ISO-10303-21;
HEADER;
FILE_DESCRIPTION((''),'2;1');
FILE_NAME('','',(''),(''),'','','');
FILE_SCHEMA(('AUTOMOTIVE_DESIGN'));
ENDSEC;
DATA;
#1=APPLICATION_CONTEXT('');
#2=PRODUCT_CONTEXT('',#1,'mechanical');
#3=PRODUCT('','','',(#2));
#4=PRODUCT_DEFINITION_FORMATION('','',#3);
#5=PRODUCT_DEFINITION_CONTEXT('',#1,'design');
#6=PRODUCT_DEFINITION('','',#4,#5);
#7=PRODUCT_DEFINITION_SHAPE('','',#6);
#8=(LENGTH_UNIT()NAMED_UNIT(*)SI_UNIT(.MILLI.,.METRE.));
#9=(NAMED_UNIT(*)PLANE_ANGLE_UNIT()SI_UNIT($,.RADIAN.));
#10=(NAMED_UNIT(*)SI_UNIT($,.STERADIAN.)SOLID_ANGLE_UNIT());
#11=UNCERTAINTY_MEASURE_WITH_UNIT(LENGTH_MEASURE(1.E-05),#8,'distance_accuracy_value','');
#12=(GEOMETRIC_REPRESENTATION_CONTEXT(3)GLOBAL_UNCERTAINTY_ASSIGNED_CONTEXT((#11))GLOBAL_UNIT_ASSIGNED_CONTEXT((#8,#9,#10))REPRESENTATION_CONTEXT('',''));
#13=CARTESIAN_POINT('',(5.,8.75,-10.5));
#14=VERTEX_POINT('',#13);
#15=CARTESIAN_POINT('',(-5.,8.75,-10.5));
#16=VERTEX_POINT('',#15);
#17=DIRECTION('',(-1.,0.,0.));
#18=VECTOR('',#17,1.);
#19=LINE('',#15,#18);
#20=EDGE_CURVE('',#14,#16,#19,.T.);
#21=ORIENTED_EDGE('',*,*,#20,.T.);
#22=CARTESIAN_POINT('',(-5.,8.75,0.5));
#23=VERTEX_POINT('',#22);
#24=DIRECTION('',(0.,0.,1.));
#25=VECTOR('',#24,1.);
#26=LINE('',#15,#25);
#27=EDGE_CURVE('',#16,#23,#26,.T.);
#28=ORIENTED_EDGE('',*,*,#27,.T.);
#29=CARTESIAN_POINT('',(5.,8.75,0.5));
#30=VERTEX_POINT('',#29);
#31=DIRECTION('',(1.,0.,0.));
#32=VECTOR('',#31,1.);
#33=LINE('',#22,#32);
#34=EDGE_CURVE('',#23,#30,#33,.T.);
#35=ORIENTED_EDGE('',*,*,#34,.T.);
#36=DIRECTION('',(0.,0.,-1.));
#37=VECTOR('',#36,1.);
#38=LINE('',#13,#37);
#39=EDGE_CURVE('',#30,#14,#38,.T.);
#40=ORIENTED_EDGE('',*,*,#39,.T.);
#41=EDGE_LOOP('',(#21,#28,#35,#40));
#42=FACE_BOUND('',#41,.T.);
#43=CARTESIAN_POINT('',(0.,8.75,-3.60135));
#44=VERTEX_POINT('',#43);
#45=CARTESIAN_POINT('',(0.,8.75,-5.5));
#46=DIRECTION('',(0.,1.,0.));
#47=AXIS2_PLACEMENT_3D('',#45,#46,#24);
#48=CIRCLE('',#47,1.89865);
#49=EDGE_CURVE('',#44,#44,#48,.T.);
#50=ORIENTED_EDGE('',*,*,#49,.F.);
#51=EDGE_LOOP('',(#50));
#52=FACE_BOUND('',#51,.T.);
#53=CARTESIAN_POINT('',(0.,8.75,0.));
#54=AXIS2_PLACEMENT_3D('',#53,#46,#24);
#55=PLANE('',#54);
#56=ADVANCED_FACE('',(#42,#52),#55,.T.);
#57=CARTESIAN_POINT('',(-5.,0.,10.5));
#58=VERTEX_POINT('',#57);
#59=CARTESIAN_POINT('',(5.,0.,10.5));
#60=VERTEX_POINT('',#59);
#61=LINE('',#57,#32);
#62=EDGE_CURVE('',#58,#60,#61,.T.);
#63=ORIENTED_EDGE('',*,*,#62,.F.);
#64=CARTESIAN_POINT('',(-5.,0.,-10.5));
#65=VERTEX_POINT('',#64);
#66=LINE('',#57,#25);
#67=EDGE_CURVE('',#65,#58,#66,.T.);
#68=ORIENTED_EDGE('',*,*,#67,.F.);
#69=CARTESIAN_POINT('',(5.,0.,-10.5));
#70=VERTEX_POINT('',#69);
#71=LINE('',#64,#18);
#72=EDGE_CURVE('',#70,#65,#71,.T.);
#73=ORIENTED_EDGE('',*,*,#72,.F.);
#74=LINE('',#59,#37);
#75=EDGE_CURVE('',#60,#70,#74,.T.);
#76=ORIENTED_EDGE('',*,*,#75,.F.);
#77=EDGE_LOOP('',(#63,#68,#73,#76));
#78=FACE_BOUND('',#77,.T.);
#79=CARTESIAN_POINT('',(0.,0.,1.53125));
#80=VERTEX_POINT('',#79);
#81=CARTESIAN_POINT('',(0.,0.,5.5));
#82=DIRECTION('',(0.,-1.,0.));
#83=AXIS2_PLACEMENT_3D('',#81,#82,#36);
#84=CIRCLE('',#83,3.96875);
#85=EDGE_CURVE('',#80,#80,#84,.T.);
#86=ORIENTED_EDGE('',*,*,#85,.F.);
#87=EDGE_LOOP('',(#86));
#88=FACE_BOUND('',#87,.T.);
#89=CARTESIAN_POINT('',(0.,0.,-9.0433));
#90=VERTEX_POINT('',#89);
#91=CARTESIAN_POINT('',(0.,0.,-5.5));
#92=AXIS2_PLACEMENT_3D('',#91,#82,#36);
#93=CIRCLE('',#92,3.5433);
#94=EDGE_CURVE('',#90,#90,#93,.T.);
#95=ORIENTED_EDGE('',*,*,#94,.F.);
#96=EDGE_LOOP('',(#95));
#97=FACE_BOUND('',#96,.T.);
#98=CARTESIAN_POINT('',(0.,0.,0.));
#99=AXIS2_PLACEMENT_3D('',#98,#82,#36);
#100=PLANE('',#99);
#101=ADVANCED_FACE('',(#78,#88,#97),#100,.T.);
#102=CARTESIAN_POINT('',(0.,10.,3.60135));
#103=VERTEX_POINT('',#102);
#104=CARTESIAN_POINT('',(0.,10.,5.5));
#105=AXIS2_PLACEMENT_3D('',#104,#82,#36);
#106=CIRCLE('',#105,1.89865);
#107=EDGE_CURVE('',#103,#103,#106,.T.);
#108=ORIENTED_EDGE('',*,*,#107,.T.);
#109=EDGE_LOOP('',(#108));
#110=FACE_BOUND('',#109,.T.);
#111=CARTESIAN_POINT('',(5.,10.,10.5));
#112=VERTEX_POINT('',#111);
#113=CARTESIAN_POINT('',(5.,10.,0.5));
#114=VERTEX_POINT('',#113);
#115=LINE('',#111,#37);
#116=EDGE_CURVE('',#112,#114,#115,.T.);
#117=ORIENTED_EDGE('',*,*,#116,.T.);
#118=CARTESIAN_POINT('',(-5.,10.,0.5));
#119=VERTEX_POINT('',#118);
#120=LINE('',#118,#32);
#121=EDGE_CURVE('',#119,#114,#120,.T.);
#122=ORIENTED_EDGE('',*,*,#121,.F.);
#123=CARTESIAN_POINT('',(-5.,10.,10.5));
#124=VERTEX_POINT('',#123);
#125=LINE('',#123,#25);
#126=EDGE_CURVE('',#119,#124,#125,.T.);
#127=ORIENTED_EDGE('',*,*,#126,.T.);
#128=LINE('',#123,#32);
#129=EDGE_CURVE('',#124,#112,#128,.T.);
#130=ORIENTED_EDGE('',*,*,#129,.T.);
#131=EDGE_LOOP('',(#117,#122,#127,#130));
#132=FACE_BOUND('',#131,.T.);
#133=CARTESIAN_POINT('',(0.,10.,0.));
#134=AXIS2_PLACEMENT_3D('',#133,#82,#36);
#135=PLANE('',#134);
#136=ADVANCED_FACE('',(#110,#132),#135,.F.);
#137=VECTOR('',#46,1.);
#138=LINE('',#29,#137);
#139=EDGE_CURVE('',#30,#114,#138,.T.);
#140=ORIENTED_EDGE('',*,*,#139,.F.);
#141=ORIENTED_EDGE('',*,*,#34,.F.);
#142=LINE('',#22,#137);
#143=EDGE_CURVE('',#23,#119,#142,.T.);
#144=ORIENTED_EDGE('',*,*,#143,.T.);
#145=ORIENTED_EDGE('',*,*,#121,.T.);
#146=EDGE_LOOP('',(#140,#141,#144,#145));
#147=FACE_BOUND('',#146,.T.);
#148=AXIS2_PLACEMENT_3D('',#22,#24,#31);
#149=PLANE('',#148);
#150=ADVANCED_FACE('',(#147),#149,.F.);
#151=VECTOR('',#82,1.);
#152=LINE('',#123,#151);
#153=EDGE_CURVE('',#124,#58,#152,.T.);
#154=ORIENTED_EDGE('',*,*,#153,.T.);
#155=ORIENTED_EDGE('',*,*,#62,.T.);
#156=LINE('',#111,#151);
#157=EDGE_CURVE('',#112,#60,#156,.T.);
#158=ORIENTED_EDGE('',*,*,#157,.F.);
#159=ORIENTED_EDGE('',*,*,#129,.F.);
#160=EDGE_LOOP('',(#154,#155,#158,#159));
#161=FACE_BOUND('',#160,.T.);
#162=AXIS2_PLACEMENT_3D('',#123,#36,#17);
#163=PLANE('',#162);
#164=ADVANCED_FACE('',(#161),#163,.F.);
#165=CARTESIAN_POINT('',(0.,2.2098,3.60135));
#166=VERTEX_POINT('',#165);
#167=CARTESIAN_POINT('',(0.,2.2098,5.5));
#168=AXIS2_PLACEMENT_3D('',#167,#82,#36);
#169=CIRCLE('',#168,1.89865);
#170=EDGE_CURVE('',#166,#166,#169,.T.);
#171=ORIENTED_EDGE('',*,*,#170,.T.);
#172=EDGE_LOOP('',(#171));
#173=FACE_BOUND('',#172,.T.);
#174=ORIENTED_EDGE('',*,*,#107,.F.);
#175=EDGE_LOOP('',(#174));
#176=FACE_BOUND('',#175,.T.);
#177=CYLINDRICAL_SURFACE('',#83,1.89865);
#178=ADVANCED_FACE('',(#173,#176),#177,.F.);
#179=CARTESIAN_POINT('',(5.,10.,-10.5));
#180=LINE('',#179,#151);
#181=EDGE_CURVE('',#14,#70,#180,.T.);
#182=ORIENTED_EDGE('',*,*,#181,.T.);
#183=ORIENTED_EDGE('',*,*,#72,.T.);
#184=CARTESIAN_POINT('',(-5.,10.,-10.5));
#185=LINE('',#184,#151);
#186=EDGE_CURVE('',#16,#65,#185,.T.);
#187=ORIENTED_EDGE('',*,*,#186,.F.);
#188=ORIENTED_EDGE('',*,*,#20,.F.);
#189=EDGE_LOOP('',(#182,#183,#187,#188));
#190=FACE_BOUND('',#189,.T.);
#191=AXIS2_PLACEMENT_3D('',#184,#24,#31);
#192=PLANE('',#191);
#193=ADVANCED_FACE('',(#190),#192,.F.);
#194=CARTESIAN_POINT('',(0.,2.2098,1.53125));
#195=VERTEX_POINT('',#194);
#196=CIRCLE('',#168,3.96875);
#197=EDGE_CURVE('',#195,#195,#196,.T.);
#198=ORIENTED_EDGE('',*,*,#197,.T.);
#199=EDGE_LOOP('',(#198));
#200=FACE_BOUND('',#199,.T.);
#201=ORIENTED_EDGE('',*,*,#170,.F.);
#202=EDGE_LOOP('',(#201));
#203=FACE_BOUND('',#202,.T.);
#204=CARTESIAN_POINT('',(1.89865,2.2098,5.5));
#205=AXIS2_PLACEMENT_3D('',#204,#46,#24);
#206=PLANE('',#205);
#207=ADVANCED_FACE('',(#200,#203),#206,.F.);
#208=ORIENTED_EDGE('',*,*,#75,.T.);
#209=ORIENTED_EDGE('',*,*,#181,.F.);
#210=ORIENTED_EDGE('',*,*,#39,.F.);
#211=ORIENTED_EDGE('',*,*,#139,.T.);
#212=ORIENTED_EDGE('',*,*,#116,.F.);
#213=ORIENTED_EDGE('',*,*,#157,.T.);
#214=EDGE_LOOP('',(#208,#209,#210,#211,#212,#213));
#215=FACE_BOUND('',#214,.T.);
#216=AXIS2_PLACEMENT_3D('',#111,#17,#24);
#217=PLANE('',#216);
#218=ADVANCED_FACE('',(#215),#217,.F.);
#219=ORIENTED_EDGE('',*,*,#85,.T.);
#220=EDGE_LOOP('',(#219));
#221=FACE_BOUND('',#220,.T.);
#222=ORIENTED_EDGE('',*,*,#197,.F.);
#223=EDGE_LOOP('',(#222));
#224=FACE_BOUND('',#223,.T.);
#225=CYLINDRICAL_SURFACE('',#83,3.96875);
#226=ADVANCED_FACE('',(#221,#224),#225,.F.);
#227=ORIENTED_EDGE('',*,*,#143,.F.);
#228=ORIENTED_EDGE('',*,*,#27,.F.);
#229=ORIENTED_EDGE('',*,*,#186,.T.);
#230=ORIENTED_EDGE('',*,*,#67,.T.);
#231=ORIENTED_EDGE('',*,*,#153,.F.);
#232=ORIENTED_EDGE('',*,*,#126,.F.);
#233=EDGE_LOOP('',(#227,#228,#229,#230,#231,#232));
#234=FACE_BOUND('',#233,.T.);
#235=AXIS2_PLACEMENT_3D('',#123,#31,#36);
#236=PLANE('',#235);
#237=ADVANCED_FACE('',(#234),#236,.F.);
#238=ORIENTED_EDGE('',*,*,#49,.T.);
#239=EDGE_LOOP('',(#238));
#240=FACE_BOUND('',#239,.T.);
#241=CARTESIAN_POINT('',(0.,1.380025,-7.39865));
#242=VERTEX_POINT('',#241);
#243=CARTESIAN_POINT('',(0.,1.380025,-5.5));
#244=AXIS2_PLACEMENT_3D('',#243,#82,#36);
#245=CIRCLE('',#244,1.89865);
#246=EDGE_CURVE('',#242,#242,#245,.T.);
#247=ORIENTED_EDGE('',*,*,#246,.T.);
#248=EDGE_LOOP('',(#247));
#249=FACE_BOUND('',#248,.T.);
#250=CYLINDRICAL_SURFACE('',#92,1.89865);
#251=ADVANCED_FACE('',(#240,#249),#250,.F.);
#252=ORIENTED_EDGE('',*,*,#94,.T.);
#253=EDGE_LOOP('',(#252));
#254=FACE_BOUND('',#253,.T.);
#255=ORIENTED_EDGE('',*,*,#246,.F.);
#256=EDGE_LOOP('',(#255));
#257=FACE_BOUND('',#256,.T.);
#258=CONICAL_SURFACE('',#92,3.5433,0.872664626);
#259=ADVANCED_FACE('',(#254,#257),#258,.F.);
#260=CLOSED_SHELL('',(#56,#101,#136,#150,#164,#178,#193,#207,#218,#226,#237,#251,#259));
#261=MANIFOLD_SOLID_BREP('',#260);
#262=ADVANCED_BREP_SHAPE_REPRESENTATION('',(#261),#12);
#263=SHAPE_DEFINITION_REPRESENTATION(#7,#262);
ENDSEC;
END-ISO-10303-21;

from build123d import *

# Parameters (mm, degrees)
SKETCH1_W                                           = 10
SKETCH1_H                                           = 21
BOSS_EXTRUDE1_DEPTH                                 = 10
SKETCH2_W                                           = 10
SKETCH2_H                                           = 11
CUT_EXTRUDE1_DEPTH                                  = 1.25
CBORE_FOR_6_BINDING_HEAD_MACHINE_SCREW1_D           = 3.7973
CBORE_FOR_6_BINDING_HEAD_MACHINE_SCREW1_CBORE_D     = 7.9375
CBORE_FOR_6_BINDING_HEAD_MACHINE_SCREW1_CBORE_DEPTH = 2.2098
CSK_FOR_6_FLAT_HEAD_MACHINE_SCREW_100_D             = 3.7973
CSK_FOR_6_FLAT_HEAD_MACHINE_SCREW_100_CSINK_D       = 7.0866
CSK_FOR_6_FLAT_HEAD_MACHINE_SCREW_100_CSINK_ANGLE   = 100


with BuildPart() as part:
    # Sketch1 → Boss-Extrude1 (new body)
    with BuildSketch(Plane(origin=(0, 0, 0), x_dir=(1, 0, 0), z_dir=(0, 1, 0))):
        Rectangle(SKETCH1_W, SKETCH1_H)
    extrude(amount=BOSS_EXTRUDE1_DEPTH)

    # Sketch2 → Cut-Extrude1 (cut)
    with BuildSketch(Plane(origin=(0, 10, 0), x_dir=(1, 0, 0), z_dir=(0, 1, 0))):
        with Locations((0, 5)):
            Rectangle(SKETCH2_W, SKETCH2_H)
    extrude(amount=-CUT_EXTRUDE1_DEPTH, mode=Mode.SUBTRACT)

    # CBORE for #6 Binding Head Machine Screw1 (through all)
    with Locations(Plane(origin=(0, 0, 0), x_dir=(-1, 0, 0), z_dir=(0, -1, 0))):
        with Locations((0, -5.5)):
            CounterBoreHole(CBORE_FOR_6_BINDING_HEAD_MACHINE_SCREW1_D / 2, CBORE_FOR_6_BINDING_HEAD_MACHINE_SCREW1_CBORE_D / 2, CBORE_FOR_6_BINDING_HEAD_MACHINE_SCREW1_CBORE_DEPTH)

    # CSK for #6 Flat Head Machine Screw (100)1 (through all)
    with Locations(Plane(origin=(0, 0, 0), x_dir=(-1, 0, 0), z_dir=(0, -1, 0))):
        with Locations((0, 5.5)):
            CounterSinkHole(CSK_FOR_6_FLAT_HEAD_MACHINE_SCREW_100_D / 2, CSK_FOR_6_FLAT_HEAD_MACHINE_SCREW_100_CSINK_D / 2, counter_sink_angle=CSK_FOR_6_FLAT_HEAD_MACHINE_SCREW_100_CSINK_ANGLE)


solid = part.part
